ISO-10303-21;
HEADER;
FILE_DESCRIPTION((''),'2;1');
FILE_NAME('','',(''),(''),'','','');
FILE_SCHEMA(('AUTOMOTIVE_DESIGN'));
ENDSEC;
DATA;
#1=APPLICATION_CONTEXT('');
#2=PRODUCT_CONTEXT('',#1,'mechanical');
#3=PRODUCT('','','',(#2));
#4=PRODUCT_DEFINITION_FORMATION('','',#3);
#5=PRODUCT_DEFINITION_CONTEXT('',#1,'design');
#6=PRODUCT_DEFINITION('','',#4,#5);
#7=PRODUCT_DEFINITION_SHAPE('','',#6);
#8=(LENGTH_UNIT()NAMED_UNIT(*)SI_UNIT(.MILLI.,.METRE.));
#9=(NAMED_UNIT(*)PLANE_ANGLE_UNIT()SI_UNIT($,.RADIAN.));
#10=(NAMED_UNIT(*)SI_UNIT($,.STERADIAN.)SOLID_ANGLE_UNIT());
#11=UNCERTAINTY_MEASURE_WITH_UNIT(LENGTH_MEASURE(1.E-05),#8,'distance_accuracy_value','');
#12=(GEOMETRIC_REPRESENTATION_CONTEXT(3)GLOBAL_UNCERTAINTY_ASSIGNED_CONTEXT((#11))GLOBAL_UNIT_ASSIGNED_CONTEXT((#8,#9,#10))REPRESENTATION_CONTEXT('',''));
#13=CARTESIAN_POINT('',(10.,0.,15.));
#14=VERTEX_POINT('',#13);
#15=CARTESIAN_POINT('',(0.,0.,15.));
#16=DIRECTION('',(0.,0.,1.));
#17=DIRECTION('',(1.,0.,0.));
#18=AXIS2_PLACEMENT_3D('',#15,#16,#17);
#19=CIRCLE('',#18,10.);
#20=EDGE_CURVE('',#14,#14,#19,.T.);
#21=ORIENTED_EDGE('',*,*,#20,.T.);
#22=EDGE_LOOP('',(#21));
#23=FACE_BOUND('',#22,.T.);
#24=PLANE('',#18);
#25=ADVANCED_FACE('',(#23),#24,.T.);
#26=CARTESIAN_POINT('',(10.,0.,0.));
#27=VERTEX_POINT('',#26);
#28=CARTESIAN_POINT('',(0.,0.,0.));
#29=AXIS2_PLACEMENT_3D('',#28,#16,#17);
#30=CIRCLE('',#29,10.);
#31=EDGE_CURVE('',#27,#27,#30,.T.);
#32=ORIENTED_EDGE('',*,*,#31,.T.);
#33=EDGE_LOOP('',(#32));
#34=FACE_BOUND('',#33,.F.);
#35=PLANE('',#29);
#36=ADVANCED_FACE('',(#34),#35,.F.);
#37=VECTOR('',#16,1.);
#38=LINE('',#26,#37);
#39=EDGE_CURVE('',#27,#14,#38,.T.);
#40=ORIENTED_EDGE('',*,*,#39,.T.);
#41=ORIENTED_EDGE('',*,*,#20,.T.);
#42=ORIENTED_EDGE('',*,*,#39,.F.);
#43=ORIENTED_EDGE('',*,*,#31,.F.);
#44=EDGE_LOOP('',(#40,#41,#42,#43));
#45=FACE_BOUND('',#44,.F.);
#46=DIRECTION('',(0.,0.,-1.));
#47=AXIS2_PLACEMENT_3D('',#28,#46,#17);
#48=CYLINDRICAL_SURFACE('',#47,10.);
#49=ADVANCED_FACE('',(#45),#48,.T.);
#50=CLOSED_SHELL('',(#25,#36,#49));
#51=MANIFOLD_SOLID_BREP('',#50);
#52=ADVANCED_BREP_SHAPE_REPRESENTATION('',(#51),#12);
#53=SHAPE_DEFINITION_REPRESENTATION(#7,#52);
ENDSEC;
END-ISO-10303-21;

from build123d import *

# Parameters (mm, degrees)
SKETCH_1_R      = 10
EXTRUDE_1_DEPTH = 15


with BuildPart() as part:
    # ｽｹｯﾁ1 → ﾎﾞｽ - 押し出し1 (new body)
    with BuildSketch(Plane.XY):
        Circle(SKETCH_1_R)
    extrude(amount=EXTRUDE_1_DEPTH)


solid = part.part
